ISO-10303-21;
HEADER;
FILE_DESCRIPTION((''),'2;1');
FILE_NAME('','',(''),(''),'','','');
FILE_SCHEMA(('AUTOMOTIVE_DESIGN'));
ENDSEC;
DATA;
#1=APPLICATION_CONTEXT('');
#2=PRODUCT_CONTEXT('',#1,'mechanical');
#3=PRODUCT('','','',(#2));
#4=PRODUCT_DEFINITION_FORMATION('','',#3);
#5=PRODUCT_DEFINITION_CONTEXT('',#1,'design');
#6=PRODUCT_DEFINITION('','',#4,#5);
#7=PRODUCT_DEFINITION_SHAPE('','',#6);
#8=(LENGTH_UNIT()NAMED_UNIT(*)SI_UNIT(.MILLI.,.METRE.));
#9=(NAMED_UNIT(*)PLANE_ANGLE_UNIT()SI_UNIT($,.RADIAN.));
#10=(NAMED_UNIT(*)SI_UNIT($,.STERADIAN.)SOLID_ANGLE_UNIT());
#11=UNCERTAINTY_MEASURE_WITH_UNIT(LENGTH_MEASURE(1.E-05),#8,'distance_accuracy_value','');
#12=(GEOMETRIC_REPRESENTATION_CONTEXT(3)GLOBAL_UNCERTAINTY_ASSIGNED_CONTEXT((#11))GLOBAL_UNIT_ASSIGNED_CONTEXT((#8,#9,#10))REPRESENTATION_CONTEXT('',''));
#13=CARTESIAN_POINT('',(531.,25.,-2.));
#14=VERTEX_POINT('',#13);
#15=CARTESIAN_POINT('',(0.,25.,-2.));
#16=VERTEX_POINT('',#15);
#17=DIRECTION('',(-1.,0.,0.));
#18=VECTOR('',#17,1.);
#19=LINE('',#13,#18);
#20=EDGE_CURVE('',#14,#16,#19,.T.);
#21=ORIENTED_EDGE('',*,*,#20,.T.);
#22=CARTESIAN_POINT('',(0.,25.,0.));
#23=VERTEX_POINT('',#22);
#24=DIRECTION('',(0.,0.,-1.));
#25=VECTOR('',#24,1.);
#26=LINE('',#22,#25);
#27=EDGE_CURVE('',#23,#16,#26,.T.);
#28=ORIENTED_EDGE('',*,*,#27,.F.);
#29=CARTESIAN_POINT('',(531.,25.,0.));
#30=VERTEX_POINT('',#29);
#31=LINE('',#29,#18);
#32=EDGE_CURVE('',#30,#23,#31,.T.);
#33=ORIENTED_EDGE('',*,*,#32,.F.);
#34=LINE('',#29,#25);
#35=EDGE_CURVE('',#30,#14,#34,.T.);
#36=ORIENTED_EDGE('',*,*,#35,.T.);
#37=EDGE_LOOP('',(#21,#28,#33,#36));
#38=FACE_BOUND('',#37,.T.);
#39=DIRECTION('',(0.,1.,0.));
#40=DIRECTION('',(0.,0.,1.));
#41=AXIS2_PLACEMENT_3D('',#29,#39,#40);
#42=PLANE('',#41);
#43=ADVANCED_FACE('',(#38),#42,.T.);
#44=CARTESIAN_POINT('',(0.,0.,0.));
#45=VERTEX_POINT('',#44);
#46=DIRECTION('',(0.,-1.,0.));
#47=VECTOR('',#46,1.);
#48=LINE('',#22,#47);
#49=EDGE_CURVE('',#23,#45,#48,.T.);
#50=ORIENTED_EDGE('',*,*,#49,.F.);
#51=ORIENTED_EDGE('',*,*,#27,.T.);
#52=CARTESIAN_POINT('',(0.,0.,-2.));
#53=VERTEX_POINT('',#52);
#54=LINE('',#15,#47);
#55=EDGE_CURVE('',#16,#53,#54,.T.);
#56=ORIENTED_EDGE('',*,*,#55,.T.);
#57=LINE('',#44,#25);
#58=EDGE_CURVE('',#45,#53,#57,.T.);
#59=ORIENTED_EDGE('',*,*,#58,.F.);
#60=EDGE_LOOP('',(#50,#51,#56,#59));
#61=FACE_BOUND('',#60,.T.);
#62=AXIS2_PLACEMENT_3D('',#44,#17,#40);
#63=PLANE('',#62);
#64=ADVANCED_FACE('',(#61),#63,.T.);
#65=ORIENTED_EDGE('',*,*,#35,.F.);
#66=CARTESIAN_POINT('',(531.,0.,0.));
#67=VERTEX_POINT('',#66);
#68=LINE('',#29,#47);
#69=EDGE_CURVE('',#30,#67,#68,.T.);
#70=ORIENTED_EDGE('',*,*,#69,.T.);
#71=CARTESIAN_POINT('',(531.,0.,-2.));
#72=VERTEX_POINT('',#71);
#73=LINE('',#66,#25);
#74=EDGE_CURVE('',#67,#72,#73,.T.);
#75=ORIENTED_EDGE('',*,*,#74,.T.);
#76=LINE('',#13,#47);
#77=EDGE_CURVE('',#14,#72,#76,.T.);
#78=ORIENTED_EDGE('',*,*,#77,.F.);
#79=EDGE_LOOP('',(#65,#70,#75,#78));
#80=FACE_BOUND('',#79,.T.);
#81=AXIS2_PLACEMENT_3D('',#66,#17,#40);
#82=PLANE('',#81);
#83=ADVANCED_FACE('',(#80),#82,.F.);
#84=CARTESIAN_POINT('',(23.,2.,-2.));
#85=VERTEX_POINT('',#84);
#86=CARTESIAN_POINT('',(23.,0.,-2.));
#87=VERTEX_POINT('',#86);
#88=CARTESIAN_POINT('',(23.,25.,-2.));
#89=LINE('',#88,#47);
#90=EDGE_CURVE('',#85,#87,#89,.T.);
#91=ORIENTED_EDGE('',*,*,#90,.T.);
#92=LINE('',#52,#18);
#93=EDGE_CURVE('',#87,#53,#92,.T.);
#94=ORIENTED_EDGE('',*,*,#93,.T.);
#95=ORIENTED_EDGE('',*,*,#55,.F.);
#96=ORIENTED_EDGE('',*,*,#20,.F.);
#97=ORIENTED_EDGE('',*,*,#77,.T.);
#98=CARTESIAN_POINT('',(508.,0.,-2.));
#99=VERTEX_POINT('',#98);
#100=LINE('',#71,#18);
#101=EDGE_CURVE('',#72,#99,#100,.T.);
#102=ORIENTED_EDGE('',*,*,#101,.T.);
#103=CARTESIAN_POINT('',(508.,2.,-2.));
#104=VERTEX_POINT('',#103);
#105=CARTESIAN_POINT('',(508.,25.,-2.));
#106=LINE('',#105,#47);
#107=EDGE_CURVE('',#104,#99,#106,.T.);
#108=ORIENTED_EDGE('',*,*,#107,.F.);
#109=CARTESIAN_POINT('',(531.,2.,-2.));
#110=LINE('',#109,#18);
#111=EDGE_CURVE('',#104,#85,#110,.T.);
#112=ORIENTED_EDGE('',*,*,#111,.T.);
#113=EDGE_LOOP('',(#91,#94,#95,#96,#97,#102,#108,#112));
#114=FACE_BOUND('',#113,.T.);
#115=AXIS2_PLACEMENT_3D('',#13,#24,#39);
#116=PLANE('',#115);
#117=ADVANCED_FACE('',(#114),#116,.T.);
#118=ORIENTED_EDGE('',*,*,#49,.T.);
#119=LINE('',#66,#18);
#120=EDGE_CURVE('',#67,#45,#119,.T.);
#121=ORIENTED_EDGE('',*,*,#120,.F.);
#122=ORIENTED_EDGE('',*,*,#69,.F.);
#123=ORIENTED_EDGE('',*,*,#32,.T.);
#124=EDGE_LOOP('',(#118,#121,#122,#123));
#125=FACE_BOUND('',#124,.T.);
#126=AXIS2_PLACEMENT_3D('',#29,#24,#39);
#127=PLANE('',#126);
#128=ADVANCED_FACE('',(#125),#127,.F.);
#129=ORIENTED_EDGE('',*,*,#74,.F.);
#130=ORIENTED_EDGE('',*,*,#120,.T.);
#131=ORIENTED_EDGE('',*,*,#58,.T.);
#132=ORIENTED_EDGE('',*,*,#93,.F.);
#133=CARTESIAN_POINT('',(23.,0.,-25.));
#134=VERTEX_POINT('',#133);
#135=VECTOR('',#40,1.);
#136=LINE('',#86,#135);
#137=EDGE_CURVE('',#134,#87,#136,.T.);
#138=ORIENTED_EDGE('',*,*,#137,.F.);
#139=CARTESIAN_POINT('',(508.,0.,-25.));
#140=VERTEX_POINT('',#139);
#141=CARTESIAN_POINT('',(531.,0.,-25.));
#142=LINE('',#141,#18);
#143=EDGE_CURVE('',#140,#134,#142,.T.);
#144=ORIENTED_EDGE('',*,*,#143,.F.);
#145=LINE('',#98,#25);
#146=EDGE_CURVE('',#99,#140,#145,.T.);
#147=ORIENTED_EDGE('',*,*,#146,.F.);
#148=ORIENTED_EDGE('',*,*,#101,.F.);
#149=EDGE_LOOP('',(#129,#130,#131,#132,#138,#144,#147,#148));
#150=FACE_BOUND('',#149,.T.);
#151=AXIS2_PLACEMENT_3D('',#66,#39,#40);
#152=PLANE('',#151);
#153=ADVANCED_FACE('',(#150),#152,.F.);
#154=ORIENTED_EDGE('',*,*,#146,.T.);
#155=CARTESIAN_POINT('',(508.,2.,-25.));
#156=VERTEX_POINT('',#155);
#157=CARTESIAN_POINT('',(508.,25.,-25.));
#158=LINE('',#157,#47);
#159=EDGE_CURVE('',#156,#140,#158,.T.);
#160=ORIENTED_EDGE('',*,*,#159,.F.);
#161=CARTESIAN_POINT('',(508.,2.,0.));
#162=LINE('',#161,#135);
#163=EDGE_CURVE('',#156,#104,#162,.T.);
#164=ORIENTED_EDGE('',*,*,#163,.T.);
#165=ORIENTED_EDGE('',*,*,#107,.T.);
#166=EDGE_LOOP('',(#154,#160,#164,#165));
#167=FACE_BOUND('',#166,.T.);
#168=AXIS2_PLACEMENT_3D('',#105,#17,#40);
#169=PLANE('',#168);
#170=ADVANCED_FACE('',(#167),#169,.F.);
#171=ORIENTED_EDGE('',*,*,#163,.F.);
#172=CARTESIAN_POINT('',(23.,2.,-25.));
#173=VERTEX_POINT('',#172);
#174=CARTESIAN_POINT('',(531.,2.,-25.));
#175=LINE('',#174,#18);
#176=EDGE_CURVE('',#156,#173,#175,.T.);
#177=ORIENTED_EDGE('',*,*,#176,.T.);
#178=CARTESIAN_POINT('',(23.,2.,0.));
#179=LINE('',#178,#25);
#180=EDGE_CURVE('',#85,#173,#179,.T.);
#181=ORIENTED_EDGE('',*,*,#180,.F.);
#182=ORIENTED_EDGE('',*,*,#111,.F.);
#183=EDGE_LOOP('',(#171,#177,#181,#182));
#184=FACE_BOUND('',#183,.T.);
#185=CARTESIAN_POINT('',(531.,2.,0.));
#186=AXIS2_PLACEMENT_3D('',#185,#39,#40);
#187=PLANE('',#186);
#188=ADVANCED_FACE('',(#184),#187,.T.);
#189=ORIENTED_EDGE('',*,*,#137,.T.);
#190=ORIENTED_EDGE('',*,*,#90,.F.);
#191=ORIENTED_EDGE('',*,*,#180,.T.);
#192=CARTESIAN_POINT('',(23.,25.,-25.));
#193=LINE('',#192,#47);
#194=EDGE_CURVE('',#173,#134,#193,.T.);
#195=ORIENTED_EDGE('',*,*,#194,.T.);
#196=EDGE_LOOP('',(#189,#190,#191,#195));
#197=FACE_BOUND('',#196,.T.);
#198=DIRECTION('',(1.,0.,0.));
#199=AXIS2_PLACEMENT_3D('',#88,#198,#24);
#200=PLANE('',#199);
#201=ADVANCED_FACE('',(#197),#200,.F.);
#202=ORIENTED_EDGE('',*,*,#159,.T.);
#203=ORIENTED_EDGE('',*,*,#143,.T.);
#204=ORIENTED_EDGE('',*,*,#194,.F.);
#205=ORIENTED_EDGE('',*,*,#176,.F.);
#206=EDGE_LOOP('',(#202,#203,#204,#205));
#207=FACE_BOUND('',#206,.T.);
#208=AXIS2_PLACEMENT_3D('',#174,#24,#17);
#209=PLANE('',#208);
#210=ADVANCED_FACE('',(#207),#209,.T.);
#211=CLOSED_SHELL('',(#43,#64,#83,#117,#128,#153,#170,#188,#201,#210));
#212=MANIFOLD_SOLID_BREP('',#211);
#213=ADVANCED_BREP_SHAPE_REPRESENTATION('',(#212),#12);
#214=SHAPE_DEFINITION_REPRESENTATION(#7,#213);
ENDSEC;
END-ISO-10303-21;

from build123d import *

# Parameters (mm, degrees)
EXTRUDE_1_DEPTH     = 531
SKETCH_2_W          = 23
SKETCH_2_H          = 23
CUT_EXTRUDE_1_DEPTH = 26


with BuildPart() as part:
    # Эскиз1 → Вытянуть-Тонкостенный1 (new body)
    with BuildSketch(Plane(origin=(0, 0, 0), x_dir=(0, 0, -1), z_dir=(1, 0, 0))):
        Polygon((0, 25), (0, 0), (25, 0), (25, 2), (2, 2), (2, 25), align=None)
    extrude(amount=EXTRUDE_1_DEPTH)

    # Эскиз2 → Вырез-Вытянуть1 (cut, through all)
    with BuildSketch(Plane.XZ):
        with Locations((11.5, -13.5)):
            Rectangle(SKETCH_2_W, SKETCH_2_H)
        with Locations((519.5, -13.5)):
            Rectangle(SKETCH_2_W, SKETCH_2_H)
    extrude(amount=-CUT_EXTRUDE_1_DEPTH, mode=Mode.SUBTRACT)


solid = part.part
